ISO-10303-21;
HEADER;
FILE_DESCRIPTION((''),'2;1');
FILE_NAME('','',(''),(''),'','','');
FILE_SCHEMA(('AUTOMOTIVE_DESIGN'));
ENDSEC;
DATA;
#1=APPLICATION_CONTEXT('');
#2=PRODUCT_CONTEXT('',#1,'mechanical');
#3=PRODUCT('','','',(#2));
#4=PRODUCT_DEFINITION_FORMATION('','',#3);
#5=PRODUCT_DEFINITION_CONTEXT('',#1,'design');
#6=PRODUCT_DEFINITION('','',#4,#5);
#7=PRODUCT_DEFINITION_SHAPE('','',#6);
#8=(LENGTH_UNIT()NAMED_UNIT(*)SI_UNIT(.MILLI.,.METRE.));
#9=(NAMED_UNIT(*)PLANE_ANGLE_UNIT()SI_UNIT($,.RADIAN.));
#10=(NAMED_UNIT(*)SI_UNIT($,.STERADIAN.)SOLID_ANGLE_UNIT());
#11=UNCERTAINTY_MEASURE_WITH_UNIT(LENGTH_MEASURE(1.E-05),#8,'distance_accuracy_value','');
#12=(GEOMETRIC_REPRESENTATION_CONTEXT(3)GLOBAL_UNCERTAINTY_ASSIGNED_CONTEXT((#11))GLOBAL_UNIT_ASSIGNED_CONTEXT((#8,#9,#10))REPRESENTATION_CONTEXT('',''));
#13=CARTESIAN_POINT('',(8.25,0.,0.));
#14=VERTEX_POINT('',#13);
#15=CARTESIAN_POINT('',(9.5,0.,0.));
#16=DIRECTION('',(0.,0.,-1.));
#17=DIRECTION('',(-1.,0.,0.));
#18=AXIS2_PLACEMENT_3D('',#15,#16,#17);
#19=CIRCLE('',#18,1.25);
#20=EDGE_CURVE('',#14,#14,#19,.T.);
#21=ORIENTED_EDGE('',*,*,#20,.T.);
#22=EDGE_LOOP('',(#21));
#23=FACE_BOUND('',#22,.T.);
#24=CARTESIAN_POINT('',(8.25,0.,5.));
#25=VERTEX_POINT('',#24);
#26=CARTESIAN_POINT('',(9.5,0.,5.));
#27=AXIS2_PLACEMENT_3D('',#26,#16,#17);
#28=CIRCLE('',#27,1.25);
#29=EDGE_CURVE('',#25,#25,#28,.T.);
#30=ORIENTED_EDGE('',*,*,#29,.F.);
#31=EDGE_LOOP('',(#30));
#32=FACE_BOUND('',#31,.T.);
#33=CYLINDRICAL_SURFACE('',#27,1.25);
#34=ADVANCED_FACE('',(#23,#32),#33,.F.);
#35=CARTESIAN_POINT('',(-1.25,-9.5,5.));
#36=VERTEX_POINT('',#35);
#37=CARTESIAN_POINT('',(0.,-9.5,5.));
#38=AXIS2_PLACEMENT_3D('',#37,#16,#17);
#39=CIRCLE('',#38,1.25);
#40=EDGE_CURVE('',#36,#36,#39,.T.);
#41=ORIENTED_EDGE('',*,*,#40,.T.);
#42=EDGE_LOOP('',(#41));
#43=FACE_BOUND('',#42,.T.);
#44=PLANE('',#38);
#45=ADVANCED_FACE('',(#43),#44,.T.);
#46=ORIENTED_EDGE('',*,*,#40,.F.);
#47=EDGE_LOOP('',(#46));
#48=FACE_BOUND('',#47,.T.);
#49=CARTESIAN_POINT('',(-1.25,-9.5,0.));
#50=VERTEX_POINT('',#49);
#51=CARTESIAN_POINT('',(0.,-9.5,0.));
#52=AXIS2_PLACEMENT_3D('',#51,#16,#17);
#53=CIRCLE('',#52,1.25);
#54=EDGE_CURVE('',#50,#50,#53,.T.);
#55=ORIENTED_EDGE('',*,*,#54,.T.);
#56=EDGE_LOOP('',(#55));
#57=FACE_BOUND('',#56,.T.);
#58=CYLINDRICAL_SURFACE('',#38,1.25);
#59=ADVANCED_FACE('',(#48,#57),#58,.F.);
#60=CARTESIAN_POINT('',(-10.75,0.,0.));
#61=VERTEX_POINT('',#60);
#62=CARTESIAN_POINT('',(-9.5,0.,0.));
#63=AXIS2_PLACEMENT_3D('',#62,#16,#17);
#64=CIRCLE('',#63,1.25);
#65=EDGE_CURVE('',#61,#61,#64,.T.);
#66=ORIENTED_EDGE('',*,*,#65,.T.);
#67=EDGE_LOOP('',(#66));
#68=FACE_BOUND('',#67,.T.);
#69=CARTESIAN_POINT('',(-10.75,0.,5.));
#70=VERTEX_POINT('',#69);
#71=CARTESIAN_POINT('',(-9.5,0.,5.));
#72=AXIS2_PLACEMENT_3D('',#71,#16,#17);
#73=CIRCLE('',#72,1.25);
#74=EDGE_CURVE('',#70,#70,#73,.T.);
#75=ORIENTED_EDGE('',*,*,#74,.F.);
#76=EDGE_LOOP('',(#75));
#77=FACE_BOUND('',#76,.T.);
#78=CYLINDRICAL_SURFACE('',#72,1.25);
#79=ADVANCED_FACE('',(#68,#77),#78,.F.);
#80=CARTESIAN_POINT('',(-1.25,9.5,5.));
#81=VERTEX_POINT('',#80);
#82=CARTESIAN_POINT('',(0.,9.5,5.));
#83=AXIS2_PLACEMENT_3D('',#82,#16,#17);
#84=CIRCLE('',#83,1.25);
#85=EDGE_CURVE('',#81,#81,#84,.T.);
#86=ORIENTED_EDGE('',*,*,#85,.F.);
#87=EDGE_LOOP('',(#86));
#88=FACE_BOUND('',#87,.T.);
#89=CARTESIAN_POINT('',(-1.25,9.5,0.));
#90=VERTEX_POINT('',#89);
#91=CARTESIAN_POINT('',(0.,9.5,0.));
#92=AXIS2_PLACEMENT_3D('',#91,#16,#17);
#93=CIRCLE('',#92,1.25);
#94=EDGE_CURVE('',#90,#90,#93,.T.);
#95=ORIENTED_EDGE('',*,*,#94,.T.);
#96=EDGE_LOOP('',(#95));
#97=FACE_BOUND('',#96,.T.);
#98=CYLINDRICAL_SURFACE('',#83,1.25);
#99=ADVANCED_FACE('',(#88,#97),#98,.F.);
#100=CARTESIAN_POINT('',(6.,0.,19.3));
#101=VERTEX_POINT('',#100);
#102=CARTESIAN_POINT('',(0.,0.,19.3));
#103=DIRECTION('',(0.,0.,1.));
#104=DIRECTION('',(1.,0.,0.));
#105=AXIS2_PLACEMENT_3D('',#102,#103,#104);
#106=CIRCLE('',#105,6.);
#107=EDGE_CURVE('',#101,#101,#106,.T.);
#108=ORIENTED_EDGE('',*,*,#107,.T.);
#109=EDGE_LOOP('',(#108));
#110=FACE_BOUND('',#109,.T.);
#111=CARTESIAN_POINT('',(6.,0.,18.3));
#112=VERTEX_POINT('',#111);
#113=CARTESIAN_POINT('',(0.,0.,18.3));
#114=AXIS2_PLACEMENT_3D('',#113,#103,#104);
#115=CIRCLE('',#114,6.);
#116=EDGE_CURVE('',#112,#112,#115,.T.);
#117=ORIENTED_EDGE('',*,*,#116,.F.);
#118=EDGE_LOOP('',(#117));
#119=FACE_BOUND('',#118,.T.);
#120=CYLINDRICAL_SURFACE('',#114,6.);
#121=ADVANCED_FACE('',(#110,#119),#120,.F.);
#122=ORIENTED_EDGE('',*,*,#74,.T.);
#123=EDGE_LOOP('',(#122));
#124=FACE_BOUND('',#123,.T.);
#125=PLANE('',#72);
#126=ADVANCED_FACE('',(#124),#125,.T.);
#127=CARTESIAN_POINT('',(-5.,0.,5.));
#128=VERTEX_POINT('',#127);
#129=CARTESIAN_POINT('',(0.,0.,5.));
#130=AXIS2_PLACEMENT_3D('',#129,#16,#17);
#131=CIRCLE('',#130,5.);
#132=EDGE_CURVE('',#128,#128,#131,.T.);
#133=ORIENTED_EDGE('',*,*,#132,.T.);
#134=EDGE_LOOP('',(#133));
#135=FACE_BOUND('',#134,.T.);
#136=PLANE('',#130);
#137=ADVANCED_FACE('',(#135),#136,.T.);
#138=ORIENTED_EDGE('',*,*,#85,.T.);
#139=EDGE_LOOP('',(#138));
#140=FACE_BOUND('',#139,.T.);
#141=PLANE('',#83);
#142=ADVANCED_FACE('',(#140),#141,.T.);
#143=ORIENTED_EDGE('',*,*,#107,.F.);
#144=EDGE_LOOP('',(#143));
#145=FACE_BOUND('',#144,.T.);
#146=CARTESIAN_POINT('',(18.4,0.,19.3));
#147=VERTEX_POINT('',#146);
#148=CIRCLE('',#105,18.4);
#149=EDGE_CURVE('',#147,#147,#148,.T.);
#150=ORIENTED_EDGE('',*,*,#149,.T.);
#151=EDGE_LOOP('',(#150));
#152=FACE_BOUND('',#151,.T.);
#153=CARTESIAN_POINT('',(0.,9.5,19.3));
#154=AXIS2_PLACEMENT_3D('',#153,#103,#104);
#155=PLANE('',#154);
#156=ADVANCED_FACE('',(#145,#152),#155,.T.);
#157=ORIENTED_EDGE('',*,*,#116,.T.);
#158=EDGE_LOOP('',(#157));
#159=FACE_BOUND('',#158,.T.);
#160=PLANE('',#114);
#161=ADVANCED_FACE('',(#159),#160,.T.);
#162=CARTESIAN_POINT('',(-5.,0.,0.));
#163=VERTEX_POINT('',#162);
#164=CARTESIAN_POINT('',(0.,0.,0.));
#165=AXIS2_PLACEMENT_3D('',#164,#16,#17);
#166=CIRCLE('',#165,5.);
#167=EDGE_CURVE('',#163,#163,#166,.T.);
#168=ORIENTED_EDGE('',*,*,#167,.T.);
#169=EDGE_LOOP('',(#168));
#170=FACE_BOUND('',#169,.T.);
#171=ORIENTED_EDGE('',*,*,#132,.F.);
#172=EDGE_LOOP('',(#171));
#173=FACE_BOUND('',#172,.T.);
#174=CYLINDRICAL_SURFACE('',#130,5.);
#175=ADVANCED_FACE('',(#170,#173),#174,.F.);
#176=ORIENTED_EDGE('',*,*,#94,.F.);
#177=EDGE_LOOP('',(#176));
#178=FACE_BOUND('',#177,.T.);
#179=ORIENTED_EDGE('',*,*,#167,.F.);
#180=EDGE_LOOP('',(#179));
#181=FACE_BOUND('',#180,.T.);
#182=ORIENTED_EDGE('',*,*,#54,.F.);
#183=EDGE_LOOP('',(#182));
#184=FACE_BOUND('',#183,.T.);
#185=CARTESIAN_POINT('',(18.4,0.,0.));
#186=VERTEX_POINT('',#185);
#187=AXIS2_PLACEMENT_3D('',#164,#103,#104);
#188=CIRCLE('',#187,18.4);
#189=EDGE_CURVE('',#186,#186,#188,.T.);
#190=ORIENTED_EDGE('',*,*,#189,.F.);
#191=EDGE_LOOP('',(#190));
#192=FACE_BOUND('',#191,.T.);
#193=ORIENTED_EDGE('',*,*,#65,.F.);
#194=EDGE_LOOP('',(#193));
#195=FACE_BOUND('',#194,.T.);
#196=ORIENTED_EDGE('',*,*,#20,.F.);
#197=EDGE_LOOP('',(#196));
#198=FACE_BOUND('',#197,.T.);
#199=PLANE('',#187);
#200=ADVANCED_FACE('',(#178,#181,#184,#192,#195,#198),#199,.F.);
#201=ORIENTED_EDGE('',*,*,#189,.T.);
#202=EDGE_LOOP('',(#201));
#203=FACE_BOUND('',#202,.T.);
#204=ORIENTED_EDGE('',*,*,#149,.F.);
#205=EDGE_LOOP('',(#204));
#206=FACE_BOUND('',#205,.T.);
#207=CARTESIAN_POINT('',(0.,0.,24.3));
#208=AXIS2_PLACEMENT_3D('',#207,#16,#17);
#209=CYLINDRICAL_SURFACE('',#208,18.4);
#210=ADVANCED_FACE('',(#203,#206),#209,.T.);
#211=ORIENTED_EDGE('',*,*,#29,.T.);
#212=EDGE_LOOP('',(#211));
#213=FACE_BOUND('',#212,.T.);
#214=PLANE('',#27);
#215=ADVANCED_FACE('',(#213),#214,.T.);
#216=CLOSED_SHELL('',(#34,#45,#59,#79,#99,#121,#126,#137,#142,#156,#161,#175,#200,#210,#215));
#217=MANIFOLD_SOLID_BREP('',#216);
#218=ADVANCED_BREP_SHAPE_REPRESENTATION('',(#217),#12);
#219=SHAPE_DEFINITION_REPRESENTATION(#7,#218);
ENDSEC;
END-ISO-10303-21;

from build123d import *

# Parameters (mm, degrees)
CROQUIS1_R              = 18.4
SALIENTE_EXTRUIR1_DEPTH = 24.3
CROQUIS2_R              = 3
CROQUIS2_R_2            = 1.25
CORTAR_EXTRUIR1_DEPTH   = 5
CORTAR_EXTRUIR2_START   = -5
CROQUIS3_R              = 1.25
CROQUIS3_R_2            = 5
CORTAR_EXTRUIR2_DEPTH   = 5
CORTAR_EXTRUIR3_START   = -5
CROQUIS6_R              = 18.4
CORTAR_EXTRUIR3_DEPTH   = 5
CROQUIS7_R              = 6
CORTAR_EXTRUIR4_DEPTH   = 1


with BuildPart() as part:
    # Croquis1 → Saliente-Extruir1 (new body)
    with BuildSketch(Plane.XY):
        Circle(CROQUIS1_R)
    extrude(amount=SALIENTE_EXTRUIR1_DEPTH)

    # Croquis2 → Cortar-Extruir1 (cut)
    with BuildSketch(Plane.XY.offset(24.3)):
        Circle(CROQUIS2_R)
        with Locations((0, 9.5)):
            Circle(CROQUIS2_R_2)
        with Locations((9.5, 0)):
            Circle(CROQUIS2_R_2)
        with Locations((0, -9.5)):
            Circle(CROQUIS2_R_2)
        with Locations((-9.5, 0)):
            Circle(CROQUIS2_R_2)
    extrude(amount=-CORTAR_EXTRUIR1_DEPTH, mode=Mode.SUBTRACT)

    # Croquis3 → Cortar-Extruir2 (cut)
    with BuildSketch(Plane(origin=(0, 0, 0), x_dir=(-1, 0, 0), z_dir=(0, 0, -1)).offset(CORTAR_EXTRUIR2_START)):
        with Locations(Location((-9.5, 0, 0), (0, 0, 180))):
            Circle(CROQUIS3_R)
        with Locations(Location((0, 9.5, 0), (0, 0, 180))):
            Circle(CROQUIS3_R)
        with Locations(Location((9.5, 0, 0), (0, 0, 180))):
            Circle(CROQUIS3_R)
        with Locations(Location((0, -9.5, 0), (0, 0, 180))):
            Circle(CROQUIS3_R)
        Circle(CROQUIS3_R_2)
    extrude(amount=CORTAR_EXTRUIR2_DEPTH, mode=Mode.SUBTRACT)

    # Croquis6 → Cortar-Extruir3 (cut)
    with BuildSketch(Plane.XY.offset(24.3).offset(CORTAR_EXTRUIR3_START)):
        Circle(CROQUIS6_R)
    extrude(amount=CORTAR_EXTRUIR3_DEPTH, mode=Mode.SUBTRACT)

    # Croquis7 → Cortar-Extruir4 (cut)
    with BuildSketch(Plane.XY.offset(19.3)):
        Circle(CROQUIS7_R)
    extrude(amount=-CORTAR_EXTRUIR4_DEPTH, mode=Mode.SUBTRACT)


solid = part.part
